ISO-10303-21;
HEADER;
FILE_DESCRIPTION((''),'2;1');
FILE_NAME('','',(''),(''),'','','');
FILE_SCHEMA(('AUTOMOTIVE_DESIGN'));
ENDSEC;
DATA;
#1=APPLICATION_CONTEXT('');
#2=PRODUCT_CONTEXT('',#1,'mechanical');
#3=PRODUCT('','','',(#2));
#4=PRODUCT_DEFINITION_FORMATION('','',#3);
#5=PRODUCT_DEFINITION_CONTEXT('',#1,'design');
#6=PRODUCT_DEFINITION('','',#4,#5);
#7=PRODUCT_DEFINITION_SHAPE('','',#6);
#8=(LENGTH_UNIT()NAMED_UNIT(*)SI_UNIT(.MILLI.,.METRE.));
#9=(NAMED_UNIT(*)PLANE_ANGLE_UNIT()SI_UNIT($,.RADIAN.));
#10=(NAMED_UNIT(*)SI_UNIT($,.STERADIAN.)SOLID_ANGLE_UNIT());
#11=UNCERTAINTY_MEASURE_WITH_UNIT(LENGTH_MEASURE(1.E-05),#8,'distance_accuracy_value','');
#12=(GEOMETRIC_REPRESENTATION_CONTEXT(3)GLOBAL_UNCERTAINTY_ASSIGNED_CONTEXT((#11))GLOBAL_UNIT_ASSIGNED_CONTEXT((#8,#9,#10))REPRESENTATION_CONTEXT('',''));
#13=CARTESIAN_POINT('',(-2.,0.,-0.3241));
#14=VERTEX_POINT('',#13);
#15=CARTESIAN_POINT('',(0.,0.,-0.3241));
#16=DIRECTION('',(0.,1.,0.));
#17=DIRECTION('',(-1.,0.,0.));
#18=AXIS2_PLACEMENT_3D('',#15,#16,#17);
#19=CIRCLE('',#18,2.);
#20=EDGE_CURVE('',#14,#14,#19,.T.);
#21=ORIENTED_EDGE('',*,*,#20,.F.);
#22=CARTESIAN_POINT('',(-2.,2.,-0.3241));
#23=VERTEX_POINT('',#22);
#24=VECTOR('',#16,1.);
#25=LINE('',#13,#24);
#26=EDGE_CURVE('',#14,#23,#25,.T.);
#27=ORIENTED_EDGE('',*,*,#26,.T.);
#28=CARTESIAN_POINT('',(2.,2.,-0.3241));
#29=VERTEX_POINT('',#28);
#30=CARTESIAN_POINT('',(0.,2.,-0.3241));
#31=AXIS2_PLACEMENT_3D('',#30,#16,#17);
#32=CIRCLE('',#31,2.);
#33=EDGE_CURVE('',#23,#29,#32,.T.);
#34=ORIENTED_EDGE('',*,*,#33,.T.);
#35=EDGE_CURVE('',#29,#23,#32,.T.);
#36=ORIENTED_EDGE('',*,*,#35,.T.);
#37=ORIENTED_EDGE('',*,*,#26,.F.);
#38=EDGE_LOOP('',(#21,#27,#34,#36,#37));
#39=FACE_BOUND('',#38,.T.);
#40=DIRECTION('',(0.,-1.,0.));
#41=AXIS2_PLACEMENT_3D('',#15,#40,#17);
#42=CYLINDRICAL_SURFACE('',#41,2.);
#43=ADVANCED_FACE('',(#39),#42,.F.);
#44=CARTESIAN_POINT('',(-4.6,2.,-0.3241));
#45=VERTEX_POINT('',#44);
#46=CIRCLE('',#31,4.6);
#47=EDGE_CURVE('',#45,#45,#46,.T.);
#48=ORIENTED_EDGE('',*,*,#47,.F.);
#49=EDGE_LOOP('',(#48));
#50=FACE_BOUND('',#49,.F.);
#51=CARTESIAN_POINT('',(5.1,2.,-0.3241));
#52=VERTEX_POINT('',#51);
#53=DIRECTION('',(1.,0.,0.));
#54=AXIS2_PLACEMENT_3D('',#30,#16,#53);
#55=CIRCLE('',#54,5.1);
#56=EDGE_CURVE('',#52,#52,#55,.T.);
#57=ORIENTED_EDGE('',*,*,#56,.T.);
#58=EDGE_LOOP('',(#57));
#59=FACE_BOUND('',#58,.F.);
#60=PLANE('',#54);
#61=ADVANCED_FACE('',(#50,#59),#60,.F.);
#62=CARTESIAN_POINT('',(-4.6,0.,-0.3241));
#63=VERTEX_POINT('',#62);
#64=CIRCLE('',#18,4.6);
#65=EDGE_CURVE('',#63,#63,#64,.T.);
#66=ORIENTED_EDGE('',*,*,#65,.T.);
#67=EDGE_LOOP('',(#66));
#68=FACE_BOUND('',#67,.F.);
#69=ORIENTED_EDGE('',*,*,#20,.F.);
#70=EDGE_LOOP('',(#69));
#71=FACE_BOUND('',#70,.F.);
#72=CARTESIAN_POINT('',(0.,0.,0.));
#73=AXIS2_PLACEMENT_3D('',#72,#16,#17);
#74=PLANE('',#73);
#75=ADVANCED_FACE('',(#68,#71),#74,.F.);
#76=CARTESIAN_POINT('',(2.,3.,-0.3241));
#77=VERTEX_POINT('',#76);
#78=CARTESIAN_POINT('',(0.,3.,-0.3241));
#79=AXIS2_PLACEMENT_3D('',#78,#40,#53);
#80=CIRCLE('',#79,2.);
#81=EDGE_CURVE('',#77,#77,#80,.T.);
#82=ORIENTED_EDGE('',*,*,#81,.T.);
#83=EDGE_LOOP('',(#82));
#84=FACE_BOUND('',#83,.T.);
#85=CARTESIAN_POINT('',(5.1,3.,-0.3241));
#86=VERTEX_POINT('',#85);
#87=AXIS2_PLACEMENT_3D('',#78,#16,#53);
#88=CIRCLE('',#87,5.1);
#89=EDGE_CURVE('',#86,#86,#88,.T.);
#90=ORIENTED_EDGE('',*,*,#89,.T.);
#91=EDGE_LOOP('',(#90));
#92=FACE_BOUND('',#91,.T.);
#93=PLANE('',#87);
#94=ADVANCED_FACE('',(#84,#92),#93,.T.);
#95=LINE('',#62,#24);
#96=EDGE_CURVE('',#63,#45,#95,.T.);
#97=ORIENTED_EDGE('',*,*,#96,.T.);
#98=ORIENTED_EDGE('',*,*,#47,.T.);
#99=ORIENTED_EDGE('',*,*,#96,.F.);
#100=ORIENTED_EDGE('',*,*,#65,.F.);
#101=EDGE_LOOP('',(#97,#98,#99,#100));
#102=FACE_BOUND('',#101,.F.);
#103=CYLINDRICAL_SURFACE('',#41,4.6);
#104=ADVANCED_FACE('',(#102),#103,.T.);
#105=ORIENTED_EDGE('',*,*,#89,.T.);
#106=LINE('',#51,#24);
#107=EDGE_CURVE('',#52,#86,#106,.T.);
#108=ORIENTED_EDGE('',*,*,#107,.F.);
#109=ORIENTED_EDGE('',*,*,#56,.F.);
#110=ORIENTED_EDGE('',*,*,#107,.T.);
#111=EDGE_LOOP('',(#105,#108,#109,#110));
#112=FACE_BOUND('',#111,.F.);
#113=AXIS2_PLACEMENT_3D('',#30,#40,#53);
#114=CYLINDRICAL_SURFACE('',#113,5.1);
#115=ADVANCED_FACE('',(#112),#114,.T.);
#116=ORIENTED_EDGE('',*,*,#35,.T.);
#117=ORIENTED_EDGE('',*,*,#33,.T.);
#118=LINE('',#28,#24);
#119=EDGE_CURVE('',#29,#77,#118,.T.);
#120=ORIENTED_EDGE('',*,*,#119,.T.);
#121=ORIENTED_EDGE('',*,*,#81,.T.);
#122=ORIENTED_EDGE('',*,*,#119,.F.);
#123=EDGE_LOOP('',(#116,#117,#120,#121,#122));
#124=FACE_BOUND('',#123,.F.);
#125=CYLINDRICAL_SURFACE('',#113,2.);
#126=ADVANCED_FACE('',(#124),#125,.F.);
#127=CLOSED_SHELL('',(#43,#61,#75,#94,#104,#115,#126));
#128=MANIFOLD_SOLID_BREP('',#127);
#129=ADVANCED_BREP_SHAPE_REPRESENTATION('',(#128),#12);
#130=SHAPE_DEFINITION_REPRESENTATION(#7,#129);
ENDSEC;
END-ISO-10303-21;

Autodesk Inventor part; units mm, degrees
ref_plane "YZ Plane" through (0, 0, 0) normal (1, 0, 0) x (0, 1, 0)
ref_plane "XZ Plane" through (0, 0, 0) normal (0, 1, 0) x (-1, 0, 0)
ref_plane "XY Plane" through (0, 0, 0) normal (0, 0, 1) x (1, 0, 0)
sketch "Эскиз1" plane through (0, 0, 0) normal (0, 1, 0) x (-1, 0, 0)
  circle A0 centre (0, -0.3241) radius 4.6
  circle A1 centre (0, -0.3241) radius 2
  point P0 (0, 0)
  dimension "d0" = 9.2
  dimension "d1" = 4
extrude "Выдавливание1" add sketch "Эскиз1" along normal blind 2
sketch "Эскиз2" plane through (0, 2, -0.3241) normal (0, 1, 0) x (1, 0, 0)
  circle A0 centre (0, 0) radius 5.1
  point P0 (0, -0.3241)
  dimension "d4" = 10.2
extrude "Выдавливание2" add sketch "Эскиз2" along normal blind 1
sketch "Эскиз3" plane through (0, 2, -0.3241) normal (0, -1, 0) x (1, 0, 0)
  circle A0 centre (0, 0) radius 2
  point P0 (0, 0.3241)
  dimension "d7" = 4
extrude "Выдавливание3" cut sketch "Эскиз3" against normal blind 1
properties part number "bearing"
